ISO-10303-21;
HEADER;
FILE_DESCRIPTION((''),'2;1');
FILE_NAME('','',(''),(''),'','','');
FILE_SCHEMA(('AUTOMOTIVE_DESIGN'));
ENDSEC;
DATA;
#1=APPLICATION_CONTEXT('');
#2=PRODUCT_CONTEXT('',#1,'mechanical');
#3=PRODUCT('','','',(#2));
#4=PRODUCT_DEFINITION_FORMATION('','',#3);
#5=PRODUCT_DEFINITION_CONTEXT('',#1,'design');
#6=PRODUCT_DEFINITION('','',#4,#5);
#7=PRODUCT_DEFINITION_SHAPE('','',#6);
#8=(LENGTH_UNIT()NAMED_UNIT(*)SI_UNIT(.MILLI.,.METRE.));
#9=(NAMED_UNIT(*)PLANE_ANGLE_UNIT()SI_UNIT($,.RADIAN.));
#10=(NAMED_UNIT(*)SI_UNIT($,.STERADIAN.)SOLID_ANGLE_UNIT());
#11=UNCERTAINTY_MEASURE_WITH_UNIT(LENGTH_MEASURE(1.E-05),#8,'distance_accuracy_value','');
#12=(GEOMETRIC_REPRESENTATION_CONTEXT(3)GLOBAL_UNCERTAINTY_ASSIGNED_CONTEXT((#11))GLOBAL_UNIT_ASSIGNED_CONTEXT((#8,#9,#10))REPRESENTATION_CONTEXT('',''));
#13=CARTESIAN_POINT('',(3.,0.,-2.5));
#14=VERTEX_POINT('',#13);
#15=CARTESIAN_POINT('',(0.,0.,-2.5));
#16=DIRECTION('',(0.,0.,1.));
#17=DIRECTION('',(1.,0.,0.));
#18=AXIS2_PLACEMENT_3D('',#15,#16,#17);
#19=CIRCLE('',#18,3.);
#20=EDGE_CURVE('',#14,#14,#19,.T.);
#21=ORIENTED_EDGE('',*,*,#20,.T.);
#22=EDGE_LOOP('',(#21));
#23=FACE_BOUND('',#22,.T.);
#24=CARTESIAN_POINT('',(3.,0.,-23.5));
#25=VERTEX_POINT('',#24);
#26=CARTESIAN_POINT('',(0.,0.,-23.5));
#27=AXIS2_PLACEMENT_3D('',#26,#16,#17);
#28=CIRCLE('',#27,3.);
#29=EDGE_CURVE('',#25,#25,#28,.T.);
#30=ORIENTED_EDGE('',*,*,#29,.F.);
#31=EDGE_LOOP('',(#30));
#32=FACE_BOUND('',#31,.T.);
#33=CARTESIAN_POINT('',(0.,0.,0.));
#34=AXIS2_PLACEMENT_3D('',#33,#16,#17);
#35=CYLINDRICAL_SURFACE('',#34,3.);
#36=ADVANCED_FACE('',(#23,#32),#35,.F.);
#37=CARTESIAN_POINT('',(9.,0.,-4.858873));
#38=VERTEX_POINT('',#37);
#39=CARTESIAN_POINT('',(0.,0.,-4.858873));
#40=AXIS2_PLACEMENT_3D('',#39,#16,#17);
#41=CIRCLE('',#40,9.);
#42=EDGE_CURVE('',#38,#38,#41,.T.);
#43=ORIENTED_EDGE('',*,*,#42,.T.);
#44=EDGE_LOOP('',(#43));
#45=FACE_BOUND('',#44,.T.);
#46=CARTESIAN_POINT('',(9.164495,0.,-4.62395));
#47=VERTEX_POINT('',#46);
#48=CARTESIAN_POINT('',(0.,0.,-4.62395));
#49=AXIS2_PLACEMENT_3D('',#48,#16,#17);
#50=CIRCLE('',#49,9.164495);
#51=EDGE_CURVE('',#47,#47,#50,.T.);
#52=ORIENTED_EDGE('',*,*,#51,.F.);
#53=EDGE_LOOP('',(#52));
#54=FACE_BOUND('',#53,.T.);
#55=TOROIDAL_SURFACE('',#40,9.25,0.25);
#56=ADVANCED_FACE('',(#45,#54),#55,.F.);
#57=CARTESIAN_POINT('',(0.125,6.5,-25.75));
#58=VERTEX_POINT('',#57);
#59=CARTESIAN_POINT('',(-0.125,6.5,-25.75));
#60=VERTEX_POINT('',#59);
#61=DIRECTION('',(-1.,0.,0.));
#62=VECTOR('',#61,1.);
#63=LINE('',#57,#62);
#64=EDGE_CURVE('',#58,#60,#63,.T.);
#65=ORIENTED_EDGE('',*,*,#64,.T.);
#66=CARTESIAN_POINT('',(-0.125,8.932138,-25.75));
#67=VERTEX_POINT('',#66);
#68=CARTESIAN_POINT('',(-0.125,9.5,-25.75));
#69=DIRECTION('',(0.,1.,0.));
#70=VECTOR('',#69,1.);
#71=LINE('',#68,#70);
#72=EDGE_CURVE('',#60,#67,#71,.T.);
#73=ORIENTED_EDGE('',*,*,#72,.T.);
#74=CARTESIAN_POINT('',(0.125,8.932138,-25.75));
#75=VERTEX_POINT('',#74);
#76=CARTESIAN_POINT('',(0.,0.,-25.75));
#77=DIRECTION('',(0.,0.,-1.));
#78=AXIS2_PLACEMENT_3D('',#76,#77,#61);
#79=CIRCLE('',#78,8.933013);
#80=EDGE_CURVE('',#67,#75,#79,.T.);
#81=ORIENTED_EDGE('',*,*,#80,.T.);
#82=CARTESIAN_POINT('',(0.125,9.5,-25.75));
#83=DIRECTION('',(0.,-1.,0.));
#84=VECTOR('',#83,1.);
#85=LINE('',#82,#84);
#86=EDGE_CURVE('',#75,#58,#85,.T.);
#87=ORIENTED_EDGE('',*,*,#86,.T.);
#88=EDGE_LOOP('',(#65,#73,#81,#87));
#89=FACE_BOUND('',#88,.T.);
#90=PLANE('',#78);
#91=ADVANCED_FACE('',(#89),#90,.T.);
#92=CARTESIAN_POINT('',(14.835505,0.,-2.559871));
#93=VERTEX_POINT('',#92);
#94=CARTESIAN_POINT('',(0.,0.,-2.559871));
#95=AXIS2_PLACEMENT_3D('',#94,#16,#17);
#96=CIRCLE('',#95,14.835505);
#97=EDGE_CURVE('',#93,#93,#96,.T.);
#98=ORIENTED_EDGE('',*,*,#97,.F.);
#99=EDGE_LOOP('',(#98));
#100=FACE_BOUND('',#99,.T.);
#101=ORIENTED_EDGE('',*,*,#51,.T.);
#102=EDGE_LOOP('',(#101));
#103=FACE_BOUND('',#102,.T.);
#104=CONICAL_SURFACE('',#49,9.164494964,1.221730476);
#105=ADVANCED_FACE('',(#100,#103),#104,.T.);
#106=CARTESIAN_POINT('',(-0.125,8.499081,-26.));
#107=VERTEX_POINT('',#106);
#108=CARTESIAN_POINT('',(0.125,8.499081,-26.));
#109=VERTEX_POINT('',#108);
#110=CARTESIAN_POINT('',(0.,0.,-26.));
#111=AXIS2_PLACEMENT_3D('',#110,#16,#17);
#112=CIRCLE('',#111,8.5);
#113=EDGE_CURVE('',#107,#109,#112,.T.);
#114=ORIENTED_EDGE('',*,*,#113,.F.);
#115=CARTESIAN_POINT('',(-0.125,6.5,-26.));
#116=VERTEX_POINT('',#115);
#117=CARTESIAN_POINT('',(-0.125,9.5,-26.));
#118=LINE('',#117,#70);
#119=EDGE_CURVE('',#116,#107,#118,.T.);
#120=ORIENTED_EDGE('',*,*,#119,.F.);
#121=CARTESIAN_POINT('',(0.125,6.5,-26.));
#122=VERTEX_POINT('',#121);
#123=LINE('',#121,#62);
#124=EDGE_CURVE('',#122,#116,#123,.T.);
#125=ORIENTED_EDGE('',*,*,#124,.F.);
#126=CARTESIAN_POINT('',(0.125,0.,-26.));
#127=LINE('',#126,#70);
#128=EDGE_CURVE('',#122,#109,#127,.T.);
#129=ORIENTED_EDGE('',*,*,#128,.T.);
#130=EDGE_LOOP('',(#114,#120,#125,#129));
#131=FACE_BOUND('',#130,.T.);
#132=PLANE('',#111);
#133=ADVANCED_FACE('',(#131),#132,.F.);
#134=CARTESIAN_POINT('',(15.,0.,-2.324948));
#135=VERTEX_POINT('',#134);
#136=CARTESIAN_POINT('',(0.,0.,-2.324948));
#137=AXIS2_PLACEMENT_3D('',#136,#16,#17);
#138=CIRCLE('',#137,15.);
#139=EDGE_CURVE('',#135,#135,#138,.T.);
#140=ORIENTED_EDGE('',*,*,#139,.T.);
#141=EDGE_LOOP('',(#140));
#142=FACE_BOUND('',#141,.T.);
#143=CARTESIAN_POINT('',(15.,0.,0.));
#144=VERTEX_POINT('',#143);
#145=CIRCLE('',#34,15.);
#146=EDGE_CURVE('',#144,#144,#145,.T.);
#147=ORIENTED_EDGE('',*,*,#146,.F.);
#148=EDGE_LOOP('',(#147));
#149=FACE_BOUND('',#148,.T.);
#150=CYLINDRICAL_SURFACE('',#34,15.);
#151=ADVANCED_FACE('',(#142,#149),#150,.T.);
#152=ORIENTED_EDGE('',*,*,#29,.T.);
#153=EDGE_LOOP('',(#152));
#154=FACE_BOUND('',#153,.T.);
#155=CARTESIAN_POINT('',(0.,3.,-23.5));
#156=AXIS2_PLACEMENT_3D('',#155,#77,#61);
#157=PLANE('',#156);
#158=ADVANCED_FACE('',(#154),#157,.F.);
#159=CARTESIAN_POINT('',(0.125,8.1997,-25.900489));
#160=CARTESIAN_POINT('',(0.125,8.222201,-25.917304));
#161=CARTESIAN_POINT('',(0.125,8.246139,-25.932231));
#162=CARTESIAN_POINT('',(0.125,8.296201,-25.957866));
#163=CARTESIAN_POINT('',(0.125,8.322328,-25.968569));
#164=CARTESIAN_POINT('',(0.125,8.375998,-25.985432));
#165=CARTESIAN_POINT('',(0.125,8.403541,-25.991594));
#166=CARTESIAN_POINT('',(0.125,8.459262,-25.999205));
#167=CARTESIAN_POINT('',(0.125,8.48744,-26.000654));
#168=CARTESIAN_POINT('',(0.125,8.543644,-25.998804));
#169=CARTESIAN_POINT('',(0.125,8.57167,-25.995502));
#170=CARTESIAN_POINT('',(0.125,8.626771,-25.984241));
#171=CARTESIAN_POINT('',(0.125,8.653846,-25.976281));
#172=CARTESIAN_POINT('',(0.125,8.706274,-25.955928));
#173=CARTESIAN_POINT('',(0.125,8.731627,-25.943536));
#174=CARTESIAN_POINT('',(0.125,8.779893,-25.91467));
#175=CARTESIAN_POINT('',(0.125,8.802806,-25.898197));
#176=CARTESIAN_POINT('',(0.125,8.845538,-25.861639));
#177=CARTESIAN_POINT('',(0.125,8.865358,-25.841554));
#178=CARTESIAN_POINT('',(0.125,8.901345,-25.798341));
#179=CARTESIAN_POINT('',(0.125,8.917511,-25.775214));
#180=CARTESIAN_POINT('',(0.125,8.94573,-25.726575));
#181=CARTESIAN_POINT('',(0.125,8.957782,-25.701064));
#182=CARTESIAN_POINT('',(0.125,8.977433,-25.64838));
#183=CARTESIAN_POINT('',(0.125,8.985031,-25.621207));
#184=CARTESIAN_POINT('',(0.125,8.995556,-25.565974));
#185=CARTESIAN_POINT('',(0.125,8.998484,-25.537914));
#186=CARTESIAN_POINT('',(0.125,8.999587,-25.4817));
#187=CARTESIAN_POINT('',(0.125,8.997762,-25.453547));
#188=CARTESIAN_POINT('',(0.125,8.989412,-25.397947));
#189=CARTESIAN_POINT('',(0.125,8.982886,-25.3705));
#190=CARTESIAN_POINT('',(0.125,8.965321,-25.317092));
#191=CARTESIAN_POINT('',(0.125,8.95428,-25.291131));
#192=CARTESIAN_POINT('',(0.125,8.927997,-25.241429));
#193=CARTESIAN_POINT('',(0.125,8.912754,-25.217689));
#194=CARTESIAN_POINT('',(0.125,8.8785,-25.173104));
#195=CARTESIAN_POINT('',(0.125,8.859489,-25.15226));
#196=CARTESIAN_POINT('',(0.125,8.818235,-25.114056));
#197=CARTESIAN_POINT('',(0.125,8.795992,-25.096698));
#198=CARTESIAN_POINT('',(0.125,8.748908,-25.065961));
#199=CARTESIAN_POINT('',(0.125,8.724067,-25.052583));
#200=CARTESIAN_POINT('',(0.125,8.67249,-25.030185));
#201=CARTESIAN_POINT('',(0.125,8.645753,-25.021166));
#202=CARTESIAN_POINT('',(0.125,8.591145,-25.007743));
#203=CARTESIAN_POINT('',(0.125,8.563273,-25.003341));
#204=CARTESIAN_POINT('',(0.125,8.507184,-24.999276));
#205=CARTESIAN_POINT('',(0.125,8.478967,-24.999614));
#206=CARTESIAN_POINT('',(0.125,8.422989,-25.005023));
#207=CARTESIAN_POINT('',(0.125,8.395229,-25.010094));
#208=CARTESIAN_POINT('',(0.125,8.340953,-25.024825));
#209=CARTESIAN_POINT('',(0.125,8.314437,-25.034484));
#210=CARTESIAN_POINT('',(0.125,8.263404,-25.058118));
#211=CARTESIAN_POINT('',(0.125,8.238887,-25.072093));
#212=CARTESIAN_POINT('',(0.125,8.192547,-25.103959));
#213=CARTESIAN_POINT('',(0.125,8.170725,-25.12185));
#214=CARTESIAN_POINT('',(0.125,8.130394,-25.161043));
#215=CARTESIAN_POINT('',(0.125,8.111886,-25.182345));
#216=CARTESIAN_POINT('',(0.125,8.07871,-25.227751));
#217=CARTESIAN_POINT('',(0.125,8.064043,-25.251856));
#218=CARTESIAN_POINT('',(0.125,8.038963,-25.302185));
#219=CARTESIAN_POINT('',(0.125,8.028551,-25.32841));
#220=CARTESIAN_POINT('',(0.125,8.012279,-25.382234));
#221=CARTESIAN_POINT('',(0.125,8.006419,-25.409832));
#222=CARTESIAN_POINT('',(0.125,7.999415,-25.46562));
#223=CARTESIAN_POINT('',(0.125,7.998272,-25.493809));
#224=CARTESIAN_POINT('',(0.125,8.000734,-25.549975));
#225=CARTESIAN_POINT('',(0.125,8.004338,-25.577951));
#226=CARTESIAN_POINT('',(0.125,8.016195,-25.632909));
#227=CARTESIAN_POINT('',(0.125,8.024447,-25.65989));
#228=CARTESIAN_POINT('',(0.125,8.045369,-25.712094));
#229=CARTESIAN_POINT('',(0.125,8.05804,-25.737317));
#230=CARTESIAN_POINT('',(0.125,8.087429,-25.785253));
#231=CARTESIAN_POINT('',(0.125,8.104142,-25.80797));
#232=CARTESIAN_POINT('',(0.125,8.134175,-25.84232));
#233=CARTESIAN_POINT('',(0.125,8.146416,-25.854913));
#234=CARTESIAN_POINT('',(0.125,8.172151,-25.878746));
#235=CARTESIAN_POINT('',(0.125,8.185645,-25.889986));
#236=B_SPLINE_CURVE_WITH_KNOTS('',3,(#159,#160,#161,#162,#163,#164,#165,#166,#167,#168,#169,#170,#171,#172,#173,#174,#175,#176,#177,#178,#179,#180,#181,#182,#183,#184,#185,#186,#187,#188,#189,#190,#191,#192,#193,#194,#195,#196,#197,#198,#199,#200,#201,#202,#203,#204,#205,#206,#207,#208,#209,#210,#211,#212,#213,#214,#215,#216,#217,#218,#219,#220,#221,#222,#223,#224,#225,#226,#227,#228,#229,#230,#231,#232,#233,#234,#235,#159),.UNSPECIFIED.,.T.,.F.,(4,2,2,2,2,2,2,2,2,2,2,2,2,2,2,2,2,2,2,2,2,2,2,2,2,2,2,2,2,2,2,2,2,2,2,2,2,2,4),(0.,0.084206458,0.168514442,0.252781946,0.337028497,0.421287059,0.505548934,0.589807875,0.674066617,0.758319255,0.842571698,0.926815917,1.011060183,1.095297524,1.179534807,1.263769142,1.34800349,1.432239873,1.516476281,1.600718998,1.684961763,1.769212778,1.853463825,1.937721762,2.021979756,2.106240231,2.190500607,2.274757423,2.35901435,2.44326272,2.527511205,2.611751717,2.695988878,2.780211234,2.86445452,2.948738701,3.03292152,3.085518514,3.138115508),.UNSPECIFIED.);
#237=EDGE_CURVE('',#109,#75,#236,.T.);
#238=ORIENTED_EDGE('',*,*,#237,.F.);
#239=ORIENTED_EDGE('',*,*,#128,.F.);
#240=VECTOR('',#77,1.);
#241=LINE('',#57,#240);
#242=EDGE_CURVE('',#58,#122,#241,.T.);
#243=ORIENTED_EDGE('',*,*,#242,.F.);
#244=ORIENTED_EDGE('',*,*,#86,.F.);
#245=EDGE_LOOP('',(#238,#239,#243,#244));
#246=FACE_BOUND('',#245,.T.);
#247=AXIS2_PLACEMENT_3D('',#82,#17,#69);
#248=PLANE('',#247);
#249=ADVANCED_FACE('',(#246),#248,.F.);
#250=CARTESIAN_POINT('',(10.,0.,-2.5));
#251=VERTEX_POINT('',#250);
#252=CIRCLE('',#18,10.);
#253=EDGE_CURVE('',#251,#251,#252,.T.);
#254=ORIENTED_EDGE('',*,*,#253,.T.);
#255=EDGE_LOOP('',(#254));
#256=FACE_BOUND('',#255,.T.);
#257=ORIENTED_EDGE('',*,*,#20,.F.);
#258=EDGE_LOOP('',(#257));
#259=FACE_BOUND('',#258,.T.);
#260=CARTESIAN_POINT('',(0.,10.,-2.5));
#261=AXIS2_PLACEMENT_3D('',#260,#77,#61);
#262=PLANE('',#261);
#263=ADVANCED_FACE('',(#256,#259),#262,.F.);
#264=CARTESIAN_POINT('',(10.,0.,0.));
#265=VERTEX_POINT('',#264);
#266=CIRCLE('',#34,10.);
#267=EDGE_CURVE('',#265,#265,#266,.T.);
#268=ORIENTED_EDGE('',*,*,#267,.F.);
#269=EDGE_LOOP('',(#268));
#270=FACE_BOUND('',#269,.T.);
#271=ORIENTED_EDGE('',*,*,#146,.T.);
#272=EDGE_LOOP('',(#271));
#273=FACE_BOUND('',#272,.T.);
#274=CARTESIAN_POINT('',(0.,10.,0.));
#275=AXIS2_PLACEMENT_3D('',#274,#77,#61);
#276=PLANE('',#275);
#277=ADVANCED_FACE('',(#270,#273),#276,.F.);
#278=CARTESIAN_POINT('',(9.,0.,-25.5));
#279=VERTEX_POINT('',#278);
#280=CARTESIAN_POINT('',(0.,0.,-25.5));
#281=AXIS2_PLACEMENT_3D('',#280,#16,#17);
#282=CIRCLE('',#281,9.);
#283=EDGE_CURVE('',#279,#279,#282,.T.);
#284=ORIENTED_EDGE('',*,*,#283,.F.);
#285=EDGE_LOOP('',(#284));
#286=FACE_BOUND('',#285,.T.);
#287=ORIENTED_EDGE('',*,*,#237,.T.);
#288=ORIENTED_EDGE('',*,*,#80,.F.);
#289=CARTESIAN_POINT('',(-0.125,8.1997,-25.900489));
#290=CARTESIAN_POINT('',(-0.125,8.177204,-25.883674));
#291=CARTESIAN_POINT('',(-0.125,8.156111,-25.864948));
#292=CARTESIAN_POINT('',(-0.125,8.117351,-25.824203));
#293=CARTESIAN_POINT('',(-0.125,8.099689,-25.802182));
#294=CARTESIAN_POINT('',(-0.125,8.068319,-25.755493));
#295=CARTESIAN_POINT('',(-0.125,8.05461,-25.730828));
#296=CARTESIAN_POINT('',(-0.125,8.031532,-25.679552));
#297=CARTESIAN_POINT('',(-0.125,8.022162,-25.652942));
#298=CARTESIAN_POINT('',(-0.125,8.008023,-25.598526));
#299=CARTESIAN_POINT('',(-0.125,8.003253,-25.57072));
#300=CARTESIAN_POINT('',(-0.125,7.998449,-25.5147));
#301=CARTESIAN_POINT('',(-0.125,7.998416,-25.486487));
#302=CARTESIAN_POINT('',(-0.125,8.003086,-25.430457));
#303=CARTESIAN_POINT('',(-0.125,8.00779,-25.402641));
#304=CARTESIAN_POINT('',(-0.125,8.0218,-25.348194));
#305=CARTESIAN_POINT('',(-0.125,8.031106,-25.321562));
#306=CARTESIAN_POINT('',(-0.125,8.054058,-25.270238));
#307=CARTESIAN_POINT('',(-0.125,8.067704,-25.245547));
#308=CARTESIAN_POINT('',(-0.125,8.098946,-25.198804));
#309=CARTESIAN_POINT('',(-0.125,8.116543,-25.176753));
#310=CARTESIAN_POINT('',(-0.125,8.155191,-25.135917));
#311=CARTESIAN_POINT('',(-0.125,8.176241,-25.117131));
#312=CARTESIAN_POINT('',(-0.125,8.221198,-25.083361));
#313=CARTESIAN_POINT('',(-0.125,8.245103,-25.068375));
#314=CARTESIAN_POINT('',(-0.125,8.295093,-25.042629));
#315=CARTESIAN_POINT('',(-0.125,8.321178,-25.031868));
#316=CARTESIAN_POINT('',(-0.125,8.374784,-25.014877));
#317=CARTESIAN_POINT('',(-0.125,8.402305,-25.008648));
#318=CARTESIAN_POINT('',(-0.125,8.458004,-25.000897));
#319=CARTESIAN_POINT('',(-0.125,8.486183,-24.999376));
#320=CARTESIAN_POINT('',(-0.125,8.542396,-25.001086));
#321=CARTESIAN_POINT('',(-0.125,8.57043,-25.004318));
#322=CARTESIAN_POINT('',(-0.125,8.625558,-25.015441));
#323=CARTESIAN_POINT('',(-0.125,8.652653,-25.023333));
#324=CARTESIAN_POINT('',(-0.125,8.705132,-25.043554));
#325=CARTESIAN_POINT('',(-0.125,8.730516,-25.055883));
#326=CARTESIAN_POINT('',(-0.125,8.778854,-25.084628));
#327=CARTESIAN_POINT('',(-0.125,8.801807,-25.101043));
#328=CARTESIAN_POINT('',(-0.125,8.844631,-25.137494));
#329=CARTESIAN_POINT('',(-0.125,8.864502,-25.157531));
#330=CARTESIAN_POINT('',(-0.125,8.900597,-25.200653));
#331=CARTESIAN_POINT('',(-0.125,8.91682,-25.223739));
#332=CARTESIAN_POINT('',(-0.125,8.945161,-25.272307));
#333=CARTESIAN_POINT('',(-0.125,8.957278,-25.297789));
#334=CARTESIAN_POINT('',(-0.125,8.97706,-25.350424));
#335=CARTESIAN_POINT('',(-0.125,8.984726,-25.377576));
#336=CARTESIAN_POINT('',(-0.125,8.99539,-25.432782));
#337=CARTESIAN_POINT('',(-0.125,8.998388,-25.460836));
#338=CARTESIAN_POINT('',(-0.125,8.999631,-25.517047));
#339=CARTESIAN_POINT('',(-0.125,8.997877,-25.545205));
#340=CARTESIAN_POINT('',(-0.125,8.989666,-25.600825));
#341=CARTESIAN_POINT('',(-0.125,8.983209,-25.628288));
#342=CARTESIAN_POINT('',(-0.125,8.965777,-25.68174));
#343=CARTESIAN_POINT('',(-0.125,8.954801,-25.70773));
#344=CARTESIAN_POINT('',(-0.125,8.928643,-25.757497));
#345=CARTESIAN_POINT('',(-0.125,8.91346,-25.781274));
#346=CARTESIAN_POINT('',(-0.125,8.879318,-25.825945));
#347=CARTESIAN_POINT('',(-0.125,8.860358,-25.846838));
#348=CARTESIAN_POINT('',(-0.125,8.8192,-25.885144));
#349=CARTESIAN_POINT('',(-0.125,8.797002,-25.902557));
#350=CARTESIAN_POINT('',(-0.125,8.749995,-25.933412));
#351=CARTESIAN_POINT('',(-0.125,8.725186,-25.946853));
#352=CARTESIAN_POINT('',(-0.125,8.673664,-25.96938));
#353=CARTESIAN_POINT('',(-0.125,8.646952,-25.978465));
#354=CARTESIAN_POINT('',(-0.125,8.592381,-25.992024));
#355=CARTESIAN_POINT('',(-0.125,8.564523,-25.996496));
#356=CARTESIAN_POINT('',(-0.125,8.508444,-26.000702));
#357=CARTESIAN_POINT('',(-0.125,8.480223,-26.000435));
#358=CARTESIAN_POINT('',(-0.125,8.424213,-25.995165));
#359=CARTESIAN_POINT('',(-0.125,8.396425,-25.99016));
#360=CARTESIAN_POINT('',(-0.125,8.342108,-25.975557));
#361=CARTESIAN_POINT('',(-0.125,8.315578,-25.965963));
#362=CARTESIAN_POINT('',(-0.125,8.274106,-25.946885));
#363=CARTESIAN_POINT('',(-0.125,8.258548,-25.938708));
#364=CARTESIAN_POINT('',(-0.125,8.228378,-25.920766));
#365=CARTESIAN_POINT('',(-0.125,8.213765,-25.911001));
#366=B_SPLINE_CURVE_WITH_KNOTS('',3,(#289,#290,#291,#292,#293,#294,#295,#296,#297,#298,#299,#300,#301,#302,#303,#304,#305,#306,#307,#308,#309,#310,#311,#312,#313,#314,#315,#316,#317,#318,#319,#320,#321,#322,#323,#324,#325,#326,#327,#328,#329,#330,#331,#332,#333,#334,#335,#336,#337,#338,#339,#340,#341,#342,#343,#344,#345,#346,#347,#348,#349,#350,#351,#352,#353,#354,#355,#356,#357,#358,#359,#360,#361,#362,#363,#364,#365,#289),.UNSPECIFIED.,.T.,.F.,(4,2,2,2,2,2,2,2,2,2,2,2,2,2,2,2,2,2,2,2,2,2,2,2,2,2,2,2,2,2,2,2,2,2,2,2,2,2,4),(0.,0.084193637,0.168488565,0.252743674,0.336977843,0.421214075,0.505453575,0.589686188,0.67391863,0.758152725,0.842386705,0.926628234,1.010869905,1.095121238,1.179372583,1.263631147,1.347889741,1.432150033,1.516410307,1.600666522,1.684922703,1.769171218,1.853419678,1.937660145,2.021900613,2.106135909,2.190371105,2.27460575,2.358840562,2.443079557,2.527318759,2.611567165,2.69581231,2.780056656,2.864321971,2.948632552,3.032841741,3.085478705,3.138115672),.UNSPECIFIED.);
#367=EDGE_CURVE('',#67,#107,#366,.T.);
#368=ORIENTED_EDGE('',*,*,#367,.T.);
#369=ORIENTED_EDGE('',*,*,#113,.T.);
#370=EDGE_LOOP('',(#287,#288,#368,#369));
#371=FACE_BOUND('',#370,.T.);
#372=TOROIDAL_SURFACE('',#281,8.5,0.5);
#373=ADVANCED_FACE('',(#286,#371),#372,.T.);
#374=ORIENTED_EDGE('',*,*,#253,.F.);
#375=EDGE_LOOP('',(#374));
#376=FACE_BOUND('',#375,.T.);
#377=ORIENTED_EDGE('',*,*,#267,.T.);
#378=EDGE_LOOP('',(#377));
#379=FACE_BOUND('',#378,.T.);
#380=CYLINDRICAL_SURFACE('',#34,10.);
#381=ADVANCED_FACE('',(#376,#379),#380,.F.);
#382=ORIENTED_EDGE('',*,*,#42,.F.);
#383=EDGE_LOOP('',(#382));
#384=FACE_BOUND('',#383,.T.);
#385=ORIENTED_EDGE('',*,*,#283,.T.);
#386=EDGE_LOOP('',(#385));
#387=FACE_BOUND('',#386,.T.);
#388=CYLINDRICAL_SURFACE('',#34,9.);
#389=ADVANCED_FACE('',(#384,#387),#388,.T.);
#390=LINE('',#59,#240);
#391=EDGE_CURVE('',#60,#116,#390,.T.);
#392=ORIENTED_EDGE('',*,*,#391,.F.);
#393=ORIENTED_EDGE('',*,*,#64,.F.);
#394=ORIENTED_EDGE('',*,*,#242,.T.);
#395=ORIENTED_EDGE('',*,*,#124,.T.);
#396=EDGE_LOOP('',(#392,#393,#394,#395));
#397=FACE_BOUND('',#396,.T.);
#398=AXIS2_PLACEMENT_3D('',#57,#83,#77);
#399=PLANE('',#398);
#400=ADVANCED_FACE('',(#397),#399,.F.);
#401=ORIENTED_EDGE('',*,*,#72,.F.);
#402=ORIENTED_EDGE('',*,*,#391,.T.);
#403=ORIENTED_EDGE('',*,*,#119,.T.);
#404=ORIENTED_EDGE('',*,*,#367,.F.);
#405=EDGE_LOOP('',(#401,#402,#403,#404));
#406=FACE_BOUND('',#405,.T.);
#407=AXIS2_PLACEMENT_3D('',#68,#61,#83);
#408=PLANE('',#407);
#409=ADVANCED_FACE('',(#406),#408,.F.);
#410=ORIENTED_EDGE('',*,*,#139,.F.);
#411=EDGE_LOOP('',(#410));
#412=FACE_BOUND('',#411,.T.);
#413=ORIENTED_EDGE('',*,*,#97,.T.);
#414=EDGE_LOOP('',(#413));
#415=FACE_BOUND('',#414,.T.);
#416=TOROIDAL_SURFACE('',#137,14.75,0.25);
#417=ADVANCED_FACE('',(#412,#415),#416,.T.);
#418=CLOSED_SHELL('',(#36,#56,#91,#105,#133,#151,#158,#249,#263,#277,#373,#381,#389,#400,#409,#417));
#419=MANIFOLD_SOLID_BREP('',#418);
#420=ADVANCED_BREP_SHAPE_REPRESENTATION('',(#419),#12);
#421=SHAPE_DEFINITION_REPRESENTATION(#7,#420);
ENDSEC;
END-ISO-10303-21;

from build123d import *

# Parameters (mm, degrees)
SKETCH2_W          = 0.25
SKETCH2_H          = 3
CUT_EXTRUDE1_DEPTH = 0.25


with BuildPart() as part:
    # Sketch1 → Revolve1 (revolve)
    with BuildSketch(Plane(origin=(0, 0, 0), x_dir=(0, 0, -1), z_dir=(1, 0, 0)), mode=Mode.PRIVATE) as revolve1_sk:
        with BuildLine():
            Line((0, 10), (0, 15))
            Line((0, 15), (2.324948115, 15))
            ThreePointArc((2.324948115, 15), (2.468342225, 14.954788011), (2.559871271, 14.835505036))
            Line((2.559871271, 14.835505036), (4.623950135, 9.164494964))
            ThreePointArc((4.623950135, 9.164494964), (4.715479181, 9.045211989), (4.85887329, 9))
            Line((4.85887329, 9), (25.5, 9))
            ThreePointArc((25.5, 9), (25.853553391, 8.853553391), (26, 8.5))
            Line((26, 8.5), (26, 0))
            Line((26, 0), (23.5, 0))
            Line((23.5, 0), (23.5, 3))
            Line((23.5, 3), (2.5, 3))
            Line((2.5, 3), (2.5, 10))
            Line((2.5, 10), (0, 10))
        make_face()
    revolve(revolve1_sk.sketch.rotate(Axis((0, 0, 0), (0, 0, -1)), 90), axis=Axis((0, 0, 0), (0, 0, -1)))

    # Sketch2 → Cut-Extrude1 (cut)
    with BuildSketch(Plane(origin=(0, 0, -26), x_dir=(-1, 0, 0), z_dir=(0, 0, -1))):
        with Locations((0, 8)):
            Rectangle(SKETCH2_W, SKETCH2_H)
    extrude(amount=-CUT_EXTRUDE1_DEPTH, mode=Mode.SUBTRACT)


solid = part.part
